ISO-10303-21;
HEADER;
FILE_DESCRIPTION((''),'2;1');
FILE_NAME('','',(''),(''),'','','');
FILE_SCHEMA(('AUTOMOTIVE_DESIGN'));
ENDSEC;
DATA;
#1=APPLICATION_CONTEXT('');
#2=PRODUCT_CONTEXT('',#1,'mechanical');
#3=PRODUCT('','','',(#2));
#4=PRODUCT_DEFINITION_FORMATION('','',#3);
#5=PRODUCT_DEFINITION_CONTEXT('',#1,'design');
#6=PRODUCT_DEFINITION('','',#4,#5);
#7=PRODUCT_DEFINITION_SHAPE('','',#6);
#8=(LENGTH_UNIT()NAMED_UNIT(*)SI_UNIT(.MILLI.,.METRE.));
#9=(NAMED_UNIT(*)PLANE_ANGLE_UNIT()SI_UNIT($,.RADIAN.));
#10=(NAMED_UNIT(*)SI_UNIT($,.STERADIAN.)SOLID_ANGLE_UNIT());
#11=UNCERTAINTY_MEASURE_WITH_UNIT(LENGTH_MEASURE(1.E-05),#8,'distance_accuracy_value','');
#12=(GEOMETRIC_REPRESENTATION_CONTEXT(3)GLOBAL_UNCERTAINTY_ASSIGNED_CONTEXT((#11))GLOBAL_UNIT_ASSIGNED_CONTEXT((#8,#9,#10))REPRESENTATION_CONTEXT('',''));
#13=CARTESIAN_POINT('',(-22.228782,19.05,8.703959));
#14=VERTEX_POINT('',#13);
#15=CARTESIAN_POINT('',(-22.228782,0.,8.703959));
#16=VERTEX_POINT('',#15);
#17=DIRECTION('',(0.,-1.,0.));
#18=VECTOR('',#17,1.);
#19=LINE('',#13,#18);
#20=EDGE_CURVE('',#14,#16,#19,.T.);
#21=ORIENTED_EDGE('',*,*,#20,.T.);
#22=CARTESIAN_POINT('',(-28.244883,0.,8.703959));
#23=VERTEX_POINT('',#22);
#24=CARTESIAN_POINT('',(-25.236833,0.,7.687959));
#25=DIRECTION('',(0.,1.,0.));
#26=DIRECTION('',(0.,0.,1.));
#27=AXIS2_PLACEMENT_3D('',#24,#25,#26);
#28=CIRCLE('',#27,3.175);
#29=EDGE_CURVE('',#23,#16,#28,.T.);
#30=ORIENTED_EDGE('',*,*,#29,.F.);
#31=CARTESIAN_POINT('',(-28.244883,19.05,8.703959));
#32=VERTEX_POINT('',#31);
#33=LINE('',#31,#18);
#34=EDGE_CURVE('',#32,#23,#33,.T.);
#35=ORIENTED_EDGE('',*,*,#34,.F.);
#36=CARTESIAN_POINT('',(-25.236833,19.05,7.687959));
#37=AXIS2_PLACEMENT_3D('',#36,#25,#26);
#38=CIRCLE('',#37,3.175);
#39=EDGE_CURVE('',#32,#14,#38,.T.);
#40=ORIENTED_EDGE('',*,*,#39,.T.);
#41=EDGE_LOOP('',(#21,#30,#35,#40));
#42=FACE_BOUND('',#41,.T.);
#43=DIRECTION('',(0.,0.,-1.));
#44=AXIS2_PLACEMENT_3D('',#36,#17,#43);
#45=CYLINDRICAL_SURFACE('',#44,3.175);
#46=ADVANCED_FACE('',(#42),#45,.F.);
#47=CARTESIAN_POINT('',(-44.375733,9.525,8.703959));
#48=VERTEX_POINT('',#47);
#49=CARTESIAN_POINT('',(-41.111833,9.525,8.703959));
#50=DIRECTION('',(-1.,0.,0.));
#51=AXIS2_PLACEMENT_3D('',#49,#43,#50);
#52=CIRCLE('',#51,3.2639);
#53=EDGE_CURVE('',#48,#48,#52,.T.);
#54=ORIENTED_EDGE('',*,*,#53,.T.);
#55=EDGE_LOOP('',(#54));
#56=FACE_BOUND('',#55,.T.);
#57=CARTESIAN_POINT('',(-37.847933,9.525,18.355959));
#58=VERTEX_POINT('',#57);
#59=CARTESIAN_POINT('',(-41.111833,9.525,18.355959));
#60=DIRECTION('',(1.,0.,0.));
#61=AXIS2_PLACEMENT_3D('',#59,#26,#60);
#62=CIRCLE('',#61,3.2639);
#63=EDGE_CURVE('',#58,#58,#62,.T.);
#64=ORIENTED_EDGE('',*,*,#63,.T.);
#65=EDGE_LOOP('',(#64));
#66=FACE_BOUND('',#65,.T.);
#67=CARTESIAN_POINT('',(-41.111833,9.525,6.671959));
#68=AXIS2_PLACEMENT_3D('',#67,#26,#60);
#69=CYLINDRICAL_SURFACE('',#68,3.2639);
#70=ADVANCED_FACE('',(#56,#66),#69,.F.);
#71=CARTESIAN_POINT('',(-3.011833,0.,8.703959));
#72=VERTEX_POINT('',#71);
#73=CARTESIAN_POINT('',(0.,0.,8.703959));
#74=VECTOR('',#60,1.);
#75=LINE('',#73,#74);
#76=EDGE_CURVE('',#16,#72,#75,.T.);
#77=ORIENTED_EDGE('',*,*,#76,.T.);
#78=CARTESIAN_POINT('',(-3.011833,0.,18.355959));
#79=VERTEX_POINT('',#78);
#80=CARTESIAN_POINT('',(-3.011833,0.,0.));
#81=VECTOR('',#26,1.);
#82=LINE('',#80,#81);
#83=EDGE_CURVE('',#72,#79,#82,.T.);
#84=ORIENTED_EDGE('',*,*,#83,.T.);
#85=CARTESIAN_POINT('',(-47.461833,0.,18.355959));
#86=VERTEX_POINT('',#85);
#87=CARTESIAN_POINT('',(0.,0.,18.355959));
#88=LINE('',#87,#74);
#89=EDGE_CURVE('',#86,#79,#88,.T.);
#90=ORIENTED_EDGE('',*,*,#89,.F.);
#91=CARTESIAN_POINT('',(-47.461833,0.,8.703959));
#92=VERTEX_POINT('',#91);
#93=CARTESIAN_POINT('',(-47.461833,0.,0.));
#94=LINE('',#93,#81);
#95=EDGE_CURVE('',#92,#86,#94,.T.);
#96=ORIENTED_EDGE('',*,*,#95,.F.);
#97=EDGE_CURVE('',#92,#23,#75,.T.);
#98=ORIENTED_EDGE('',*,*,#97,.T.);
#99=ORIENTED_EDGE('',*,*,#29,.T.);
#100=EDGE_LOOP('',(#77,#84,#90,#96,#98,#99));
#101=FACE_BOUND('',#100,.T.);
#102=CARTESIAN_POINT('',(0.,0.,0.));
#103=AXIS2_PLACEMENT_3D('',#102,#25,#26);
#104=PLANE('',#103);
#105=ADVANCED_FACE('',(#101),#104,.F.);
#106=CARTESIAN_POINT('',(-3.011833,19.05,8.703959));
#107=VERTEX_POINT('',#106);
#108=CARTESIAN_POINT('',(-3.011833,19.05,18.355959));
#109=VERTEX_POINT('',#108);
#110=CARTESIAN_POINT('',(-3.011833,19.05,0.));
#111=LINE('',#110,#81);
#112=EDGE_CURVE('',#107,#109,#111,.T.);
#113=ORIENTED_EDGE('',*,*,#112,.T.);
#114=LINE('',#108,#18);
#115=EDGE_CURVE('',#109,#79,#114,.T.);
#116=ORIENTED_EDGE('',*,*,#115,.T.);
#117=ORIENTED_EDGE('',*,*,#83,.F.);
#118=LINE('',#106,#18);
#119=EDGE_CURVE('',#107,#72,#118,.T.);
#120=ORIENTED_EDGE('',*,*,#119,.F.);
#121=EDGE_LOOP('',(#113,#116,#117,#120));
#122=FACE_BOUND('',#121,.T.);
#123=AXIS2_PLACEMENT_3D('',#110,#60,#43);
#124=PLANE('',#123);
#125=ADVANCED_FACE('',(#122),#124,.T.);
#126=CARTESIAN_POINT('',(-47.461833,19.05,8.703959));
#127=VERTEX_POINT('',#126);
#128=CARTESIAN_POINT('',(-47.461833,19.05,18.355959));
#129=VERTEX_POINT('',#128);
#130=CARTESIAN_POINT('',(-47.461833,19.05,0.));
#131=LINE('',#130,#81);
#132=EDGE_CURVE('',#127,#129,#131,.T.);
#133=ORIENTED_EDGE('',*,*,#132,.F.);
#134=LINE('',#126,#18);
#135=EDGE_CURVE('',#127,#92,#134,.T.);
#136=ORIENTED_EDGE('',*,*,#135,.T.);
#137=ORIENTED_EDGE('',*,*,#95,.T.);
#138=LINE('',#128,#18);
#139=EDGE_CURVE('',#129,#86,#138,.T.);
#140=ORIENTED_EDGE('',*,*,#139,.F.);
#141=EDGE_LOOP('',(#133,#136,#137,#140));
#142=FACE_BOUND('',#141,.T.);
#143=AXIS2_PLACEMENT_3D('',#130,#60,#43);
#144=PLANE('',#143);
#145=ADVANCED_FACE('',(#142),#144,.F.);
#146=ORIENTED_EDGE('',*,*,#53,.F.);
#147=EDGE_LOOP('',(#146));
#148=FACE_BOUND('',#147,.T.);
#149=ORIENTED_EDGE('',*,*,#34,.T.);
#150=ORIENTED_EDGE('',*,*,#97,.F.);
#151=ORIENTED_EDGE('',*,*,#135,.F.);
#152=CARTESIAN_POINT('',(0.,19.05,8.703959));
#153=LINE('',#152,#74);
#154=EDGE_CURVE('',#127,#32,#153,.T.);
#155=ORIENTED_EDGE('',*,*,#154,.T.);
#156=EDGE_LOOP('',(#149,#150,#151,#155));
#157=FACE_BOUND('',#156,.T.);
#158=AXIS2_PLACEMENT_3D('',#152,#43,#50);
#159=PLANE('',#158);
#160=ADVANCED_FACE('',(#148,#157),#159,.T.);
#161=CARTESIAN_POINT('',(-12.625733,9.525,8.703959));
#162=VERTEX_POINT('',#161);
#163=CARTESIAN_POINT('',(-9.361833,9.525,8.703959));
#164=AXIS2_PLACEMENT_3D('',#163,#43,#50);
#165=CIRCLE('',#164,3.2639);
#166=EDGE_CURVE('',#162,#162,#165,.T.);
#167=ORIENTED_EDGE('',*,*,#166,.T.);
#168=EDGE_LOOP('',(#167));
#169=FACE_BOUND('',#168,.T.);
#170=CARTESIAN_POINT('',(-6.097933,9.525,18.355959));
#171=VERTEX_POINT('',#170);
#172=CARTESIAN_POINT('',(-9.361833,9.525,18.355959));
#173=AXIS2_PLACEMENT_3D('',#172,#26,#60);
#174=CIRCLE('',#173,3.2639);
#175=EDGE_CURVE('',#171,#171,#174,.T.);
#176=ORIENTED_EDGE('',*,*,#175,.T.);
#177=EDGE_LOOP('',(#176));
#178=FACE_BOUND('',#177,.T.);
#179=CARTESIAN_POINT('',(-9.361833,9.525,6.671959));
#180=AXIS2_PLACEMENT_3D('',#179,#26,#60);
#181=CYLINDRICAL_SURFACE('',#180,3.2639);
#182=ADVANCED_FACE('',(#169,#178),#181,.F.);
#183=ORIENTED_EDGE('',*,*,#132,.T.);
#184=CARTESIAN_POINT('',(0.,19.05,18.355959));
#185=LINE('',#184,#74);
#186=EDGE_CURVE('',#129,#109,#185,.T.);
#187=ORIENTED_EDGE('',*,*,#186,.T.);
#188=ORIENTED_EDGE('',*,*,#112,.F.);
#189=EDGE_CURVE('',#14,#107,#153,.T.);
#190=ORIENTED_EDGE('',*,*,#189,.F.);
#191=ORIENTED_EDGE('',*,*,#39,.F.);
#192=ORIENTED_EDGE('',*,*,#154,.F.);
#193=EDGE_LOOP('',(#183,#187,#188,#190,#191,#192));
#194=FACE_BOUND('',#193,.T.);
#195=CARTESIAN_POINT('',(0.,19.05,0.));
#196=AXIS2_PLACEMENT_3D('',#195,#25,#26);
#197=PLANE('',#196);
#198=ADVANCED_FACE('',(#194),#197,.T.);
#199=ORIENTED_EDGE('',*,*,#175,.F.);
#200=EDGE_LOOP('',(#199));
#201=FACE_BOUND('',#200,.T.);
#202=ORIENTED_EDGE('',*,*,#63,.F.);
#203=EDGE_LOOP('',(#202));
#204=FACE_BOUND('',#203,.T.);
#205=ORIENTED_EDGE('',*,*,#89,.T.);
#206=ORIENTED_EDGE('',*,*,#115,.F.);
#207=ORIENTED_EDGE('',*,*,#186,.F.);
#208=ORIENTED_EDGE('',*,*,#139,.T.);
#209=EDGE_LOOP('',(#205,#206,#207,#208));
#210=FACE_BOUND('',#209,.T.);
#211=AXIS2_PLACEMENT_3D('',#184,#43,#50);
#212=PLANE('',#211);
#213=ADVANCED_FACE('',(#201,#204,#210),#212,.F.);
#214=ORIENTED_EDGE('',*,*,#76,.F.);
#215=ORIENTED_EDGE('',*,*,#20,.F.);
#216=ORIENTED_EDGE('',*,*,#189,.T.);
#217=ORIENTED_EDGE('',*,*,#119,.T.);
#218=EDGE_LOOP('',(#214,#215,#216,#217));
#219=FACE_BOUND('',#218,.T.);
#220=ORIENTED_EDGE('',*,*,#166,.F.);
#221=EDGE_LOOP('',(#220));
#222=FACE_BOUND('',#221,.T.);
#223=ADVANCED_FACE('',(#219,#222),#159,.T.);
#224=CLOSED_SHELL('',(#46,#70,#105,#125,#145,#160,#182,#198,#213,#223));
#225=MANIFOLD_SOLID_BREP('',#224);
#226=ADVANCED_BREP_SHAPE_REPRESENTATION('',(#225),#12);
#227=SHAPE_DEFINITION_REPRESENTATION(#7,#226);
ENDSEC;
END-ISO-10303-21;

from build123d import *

# Parameters (mm, degrees)
BOSS_EXTRUDE1_DEPTH = 19.05
SKETCH2_R           = 3.2639
CUT_EXTRUDE2_DEPTH  = 11.684


with BuildPart() as part:
    # Sketch1 → Boss-Extrude1 (new body)
    with BuildSketch(Plane(origin=(0, 0, 0), x_dir=(1, 0, 0), z_dir=(0, 1, 0))):
        with BuildLine():
            Line((-28.244883355, -8.703959301), (-47.461832657, -8.703959301))
            Line((-47.461832657, -8.703959301), (-47.461832657, -18.355959301))
            Line((-47.461832657, -18.355959301), (-3.011832657, -18.355959301))
            Line((-3.011832657, -18.355959301), (-3.011832657, -8.703959301))
            Line((-3.011832657, -8.703959301), (-22.228781959, -8.703959301))
            ThreePointArc((-22.228781959, -8.703959301), (-25.236832657, -10.862959301), (-28.244883355, -8.703959301))
        make_face()
    extrude(amount=BOSS_EXTRUDE1_DEPTH)

    # Sketch2 → Cut-Extrude2 (cut)
    with BuildSketch(Plane.XY.offset(18.355959301)):
        with Locations((-41.111832657, 9.525)):
            Circle(SKETCH2_R)
        with Locations((-9.361832657, 9.525)):
            Circle(SKETCH2_R)
    extrude(amount=-CUT_EXTRUDE2_DEPTH, mode=Mode.SUBTRACT)


solid = part.part
